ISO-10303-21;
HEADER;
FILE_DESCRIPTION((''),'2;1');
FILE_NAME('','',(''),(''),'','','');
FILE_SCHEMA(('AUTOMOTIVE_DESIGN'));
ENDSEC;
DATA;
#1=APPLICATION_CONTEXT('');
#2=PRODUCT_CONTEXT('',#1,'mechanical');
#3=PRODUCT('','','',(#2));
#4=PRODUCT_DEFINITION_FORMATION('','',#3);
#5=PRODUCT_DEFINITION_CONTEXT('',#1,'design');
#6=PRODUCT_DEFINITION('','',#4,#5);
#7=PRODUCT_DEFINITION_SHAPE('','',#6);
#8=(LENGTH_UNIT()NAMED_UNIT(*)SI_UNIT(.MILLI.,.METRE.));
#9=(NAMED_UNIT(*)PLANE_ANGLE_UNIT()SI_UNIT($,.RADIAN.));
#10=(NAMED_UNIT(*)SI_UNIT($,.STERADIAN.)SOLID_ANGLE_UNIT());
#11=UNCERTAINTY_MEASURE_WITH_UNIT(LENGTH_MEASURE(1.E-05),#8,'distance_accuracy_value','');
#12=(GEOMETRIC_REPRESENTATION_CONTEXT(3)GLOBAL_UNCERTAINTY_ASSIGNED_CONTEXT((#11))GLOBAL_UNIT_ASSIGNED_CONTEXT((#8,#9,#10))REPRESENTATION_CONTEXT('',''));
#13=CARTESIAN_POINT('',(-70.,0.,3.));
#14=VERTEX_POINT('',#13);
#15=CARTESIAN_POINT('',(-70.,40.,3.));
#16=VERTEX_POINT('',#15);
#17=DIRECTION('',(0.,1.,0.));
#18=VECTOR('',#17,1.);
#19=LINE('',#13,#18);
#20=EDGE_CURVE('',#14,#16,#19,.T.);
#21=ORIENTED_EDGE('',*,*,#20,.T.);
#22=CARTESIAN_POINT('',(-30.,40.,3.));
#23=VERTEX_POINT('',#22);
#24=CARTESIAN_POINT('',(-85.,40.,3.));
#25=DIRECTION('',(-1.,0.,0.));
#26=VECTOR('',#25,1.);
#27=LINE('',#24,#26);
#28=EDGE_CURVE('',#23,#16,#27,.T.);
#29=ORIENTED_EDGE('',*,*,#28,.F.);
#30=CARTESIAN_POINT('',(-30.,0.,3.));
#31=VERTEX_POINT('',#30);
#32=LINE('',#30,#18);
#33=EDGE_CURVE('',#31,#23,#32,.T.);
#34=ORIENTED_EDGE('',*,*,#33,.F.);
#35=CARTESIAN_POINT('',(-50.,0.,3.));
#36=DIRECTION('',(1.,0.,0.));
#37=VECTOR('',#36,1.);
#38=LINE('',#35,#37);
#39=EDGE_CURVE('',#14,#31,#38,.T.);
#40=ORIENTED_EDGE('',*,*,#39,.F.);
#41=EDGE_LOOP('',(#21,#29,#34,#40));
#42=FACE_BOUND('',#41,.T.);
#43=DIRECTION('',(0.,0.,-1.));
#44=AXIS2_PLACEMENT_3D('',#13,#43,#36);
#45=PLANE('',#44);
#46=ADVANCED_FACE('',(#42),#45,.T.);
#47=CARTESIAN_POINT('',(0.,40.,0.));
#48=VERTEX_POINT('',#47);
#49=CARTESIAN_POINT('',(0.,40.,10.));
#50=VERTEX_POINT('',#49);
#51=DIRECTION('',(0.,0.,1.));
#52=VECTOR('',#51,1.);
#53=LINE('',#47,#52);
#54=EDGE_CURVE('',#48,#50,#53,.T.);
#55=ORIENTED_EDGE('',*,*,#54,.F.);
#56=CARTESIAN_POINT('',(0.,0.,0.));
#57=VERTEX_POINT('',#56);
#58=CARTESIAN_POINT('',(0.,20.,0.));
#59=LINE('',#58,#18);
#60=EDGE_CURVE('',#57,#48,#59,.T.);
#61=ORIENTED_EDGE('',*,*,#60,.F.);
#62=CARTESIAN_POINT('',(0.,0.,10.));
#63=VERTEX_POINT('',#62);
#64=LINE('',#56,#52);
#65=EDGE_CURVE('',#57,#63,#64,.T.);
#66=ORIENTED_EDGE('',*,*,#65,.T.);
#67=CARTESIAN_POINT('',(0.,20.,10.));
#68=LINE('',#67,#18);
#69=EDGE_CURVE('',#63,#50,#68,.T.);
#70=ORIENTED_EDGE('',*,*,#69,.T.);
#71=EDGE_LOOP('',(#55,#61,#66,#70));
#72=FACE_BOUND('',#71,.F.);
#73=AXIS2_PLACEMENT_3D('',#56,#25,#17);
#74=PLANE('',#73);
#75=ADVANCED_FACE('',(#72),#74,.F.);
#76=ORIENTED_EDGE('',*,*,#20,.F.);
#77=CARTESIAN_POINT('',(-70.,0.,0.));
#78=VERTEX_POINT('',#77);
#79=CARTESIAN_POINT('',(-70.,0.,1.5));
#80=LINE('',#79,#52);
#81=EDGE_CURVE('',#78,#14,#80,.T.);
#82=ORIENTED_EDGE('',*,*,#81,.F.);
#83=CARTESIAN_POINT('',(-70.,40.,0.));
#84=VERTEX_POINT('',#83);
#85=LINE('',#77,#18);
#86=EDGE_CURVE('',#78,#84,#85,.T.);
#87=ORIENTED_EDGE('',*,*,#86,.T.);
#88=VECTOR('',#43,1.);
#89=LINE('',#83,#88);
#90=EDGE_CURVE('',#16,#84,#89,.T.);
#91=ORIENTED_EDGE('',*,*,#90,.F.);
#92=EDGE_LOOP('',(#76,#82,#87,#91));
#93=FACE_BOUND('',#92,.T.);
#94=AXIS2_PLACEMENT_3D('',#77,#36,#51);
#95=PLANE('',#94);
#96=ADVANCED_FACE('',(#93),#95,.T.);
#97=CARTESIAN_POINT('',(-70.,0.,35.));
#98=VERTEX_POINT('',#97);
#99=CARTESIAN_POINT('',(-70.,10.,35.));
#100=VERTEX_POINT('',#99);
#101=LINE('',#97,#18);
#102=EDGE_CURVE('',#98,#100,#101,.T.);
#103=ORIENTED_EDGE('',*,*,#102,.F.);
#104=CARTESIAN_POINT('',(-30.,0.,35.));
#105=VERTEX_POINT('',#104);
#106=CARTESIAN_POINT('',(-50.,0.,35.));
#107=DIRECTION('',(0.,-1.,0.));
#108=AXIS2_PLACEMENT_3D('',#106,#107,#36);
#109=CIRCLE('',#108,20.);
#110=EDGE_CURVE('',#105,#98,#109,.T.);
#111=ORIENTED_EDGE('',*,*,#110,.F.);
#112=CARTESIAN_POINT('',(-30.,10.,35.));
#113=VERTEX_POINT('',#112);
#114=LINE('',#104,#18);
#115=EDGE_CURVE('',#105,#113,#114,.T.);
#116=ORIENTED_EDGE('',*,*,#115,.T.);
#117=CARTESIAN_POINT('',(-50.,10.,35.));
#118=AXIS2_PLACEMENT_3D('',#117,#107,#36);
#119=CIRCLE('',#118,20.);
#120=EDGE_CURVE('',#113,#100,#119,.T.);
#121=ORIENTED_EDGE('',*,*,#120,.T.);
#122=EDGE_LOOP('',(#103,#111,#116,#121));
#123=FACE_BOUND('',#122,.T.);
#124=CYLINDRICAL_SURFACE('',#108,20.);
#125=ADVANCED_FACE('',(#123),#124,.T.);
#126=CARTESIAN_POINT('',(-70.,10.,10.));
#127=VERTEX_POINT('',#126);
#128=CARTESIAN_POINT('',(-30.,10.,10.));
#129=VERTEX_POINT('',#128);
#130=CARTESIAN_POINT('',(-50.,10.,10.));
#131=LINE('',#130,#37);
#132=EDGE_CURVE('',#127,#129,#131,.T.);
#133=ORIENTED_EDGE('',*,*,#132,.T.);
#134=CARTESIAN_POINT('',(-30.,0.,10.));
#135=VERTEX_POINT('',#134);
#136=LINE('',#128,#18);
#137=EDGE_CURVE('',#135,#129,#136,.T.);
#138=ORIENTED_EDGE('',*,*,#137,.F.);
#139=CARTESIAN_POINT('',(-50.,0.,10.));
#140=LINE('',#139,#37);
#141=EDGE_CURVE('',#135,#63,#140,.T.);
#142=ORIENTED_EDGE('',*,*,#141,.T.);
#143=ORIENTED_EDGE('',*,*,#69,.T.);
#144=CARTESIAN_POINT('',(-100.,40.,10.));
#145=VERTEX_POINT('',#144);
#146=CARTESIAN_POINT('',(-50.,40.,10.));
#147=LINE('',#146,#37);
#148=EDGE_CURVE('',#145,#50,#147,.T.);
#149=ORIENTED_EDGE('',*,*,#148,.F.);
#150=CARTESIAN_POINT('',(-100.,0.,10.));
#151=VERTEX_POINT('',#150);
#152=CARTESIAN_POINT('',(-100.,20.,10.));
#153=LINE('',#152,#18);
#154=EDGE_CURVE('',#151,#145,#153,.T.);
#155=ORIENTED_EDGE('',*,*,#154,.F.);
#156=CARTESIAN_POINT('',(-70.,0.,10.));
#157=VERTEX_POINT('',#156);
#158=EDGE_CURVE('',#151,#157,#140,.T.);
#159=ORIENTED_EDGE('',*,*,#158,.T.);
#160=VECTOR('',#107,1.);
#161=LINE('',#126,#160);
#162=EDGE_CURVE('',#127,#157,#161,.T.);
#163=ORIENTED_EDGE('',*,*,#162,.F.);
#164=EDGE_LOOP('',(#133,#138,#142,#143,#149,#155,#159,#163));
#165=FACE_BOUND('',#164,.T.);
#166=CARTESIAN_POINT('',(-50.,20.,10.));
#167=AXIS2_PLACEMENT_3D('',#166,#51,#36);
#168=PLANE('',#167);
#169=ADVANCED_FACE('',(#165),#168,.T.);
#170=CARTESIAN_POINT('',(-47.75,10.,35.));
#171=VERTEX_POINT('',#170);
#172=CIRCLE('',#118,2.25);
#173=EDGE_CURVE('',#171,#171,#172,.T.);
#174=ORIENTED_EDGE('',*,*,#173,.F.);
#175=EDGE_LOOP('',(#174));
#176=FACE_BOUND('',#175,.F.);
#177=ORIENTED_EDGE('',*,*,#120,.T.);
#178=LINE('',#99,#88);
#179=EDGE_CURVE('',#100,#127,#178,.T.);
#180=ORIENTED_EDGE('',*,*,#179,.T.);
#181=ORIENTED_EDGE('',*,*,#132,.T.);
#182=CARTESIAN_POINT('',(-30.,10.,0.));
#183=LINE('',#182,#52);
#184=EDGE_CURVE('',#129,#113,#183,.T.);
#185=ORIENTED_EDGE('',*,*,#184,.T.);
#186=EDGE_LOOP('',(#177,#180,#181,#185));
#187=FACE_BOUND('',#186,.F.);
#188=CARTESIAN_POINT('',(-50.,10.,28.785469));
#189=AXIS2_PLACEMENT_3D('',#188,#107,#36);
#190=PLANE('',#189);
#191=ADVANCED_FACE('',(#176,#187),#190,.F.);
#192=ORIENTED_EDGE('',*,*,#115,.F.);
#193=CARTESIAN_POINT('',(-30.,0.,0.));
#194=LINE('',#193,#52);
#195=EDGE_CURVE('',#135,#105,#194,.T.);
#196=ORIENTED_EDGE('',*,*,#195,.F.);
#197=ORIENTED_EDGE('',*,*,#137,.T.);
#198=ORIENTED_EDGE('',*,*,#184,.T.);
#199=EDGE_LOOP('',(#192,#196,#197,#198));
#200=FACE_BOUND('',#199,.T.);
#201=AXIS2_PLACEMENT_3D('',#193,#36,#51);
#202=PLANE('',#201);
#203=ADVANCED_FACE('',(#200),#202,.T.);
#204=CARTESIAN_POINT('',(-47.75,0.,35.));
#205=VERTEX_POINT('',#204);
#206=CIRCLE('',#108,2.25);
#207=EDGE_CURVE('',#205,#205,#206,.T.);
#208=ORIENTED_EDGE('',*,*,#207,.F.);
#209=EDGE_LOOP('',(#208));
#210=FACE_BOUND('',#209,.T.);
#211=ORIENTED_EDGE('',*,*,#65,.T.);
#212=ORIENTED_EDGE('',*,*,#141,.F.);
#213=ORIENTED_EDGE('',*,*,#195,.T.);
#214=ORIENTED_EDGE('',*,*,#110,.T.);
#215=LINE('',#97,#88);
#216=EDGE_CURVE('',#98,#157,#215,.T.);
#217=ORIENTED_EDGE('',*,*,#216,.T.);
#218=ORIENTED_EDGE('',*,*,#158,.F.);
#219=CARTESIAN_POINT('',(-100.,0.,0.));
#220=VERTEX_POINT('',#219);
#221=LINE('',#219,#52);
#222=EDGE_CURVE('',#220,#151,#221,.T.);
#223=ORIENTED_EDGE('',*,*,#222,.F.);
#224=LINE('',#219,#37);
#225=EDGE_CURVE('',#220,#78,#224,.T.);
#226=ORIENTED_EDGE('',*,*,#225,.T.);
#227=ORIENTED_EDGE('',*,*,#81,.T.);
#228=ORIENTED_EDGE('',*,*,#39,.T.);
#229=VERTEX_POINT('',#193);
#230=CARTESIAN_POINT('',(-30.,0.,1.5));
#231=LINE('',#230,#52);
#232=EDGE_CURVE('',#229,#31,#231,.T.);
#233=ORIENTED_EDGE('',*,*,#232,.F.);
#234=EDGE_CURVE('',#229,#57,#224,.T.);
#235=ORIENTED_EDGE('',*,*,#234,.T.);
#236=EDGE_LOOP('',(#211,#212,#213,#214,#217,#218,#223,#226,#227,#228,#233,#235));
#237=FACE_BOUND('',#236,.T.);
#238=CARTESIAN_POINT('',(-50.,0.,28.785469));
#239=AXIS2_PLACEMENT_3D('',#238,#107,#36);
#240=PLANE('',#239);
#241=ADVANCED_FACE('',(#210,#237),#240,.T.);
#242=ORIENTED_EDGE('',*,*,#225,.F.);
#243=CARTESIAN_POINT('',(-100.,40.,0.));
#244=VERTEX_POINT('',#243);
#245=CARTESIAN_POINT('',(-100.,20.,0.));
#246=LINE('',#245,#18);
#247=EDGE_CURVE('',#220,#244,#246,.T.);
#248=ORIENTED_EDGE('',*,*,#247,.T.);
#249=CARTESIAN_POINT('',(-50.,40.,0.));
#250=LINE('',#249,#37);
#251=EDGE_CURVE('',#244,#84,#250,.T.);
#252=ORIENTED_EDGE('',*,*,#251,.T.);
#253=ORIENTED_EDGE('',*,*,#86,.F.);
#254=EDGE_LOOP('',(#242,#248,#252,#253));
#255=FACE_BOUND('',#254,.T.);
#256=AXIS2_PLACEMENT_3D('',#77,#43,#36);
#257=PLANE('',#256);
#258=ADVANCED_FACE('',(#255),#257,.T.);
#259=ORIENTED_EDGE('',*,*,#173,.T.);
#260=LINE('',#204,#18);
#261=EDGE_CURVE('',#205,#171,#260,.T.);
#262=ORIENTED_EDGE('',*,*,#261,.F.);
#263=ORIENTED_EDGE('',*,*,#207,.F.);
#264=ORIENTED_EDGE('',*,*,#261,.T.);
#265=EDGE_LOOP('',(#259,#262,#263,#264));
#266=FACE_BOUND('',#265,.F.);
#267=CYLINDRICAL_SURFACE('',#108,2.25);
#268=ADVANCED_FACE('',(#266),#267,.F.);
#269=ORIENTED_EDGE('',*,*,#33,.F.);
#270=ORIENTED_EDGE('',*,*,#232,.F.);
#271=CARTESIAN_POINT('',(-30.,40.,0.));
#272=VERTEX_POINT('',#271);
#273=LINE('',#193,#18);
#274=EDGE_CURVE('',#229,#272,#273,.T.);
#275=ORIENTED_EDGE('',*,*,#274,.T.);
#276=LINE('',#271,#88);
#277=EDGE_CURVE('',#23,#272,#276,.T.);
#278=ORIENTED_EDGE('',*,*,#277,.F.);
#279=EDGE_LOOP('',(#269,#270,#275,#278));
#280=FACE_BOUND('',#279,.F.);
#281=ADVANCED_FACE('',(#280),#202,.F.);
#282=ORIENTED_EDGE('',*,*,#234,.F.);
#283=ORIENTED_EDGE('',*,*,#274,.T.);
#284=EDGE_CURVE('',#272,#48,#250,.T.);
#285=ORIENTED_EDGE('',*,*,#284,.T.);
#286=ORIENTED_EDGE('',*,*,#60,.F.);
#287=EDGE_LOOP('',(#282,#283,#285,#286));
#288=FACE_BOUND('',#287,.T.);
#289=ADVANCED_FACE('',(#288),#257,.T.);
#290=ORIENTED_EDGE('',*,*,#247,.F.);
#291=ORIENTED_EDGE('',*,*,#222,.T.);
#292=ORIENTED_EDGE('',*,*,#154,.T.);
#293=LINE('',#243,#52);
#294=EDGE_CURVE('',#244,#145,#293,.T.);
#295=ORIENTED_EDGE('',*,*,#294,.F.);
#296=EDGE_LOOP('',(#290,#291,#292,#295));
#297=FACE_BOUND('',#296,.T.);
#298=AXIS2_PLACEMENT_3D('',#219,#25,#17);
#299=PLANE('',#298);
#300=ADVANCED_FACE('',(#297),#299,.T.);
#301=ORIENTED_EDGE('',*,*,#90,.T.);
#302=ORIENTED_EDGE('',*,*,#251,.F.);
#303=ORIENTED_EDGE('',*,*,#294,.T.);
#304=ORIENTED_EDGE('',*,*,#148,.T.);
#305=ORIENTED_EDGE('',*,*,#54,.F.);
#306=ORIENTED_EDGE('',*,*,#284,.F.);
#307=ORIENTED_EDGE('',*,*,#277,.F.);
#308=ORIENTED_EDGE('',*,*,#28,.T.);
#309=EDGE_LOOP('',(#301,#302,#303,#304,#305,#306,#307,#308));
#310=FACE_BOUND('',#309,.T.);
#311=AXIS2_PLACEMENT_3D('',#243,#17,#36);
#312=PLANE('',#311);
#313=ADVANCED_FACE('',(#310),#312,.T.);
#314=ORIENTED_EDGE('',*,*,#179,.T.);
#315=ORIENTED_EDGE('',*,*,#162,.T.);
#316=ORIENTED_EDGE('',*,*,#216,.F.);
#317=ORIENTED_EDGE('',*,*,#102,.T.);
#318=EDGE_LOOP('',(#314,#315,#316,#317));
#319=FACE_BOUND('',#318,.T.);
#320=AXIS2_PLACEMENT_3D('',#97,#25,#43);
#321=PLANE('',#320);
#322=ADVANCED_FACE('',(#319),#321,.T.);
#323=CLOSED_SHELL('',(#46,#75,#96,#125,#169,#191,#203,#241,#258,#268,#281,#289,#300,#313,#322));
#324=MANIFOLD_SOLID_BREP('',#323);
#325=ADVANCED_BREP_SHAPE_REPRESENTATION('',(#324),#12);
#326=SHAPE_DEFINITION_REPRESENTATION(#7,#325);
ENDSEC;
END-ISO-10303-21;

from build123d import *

# Parameters (mm, degrees)
F0_W     = 100
F0_H     = 40
F1_DEPTH = 10
F2_W     = 40
F2_H     = 10
F3_DEPTH = 10
F4_W     = 40
F4_H     = 3
F5_DEPTH = 40.001
F6_R     = 2.25
F7_DEPTH = 40.001


with BuildPart() as f1:
    # F0 (on Top) → F1 (new body)
    with BuildSketch(Plane.XY):
        with Locations((-50, 20)):
            Rectangle(F0_W, F0_H)
    extrude(amount=F1_DEPTH)

    # F2 (on face) → F3 (join)
    with BuildSketch(Plane.XZ):
        with BuildLine():
            Line((-70, 35), (-70, 10))
            Line((-70, 10), (-30, 10))
            Line((-30, 10), (-30, 35))
            ThreePointArc((-30, 35), (-50, 55), (-70, 35))
        make_face()
        with Locations((-50, 5)):
            Rectangle(F2_W, F2_H)
    extrude(amount=-F3_DEPTH)

    # F4 (on face) → F5 (cut, through all)
    with BuildSketch(Plane.XZ):
        with Locations((-50, 1.5)):
            Rectangle(F4_W, F4_H)
    extrude(amount=-F5_DEPTH, mode=Mode.SUBTRACT)

    # F6 (on face) → F7 (cut, through all)
    with BuildSketch(Plane.XZ):
        with Locations((-50, 35)):
            Circle(F6_R)
    extrude(amount=-F7_DEPTH, mode=Mode.SUBTRACT)


solid = f1.part
